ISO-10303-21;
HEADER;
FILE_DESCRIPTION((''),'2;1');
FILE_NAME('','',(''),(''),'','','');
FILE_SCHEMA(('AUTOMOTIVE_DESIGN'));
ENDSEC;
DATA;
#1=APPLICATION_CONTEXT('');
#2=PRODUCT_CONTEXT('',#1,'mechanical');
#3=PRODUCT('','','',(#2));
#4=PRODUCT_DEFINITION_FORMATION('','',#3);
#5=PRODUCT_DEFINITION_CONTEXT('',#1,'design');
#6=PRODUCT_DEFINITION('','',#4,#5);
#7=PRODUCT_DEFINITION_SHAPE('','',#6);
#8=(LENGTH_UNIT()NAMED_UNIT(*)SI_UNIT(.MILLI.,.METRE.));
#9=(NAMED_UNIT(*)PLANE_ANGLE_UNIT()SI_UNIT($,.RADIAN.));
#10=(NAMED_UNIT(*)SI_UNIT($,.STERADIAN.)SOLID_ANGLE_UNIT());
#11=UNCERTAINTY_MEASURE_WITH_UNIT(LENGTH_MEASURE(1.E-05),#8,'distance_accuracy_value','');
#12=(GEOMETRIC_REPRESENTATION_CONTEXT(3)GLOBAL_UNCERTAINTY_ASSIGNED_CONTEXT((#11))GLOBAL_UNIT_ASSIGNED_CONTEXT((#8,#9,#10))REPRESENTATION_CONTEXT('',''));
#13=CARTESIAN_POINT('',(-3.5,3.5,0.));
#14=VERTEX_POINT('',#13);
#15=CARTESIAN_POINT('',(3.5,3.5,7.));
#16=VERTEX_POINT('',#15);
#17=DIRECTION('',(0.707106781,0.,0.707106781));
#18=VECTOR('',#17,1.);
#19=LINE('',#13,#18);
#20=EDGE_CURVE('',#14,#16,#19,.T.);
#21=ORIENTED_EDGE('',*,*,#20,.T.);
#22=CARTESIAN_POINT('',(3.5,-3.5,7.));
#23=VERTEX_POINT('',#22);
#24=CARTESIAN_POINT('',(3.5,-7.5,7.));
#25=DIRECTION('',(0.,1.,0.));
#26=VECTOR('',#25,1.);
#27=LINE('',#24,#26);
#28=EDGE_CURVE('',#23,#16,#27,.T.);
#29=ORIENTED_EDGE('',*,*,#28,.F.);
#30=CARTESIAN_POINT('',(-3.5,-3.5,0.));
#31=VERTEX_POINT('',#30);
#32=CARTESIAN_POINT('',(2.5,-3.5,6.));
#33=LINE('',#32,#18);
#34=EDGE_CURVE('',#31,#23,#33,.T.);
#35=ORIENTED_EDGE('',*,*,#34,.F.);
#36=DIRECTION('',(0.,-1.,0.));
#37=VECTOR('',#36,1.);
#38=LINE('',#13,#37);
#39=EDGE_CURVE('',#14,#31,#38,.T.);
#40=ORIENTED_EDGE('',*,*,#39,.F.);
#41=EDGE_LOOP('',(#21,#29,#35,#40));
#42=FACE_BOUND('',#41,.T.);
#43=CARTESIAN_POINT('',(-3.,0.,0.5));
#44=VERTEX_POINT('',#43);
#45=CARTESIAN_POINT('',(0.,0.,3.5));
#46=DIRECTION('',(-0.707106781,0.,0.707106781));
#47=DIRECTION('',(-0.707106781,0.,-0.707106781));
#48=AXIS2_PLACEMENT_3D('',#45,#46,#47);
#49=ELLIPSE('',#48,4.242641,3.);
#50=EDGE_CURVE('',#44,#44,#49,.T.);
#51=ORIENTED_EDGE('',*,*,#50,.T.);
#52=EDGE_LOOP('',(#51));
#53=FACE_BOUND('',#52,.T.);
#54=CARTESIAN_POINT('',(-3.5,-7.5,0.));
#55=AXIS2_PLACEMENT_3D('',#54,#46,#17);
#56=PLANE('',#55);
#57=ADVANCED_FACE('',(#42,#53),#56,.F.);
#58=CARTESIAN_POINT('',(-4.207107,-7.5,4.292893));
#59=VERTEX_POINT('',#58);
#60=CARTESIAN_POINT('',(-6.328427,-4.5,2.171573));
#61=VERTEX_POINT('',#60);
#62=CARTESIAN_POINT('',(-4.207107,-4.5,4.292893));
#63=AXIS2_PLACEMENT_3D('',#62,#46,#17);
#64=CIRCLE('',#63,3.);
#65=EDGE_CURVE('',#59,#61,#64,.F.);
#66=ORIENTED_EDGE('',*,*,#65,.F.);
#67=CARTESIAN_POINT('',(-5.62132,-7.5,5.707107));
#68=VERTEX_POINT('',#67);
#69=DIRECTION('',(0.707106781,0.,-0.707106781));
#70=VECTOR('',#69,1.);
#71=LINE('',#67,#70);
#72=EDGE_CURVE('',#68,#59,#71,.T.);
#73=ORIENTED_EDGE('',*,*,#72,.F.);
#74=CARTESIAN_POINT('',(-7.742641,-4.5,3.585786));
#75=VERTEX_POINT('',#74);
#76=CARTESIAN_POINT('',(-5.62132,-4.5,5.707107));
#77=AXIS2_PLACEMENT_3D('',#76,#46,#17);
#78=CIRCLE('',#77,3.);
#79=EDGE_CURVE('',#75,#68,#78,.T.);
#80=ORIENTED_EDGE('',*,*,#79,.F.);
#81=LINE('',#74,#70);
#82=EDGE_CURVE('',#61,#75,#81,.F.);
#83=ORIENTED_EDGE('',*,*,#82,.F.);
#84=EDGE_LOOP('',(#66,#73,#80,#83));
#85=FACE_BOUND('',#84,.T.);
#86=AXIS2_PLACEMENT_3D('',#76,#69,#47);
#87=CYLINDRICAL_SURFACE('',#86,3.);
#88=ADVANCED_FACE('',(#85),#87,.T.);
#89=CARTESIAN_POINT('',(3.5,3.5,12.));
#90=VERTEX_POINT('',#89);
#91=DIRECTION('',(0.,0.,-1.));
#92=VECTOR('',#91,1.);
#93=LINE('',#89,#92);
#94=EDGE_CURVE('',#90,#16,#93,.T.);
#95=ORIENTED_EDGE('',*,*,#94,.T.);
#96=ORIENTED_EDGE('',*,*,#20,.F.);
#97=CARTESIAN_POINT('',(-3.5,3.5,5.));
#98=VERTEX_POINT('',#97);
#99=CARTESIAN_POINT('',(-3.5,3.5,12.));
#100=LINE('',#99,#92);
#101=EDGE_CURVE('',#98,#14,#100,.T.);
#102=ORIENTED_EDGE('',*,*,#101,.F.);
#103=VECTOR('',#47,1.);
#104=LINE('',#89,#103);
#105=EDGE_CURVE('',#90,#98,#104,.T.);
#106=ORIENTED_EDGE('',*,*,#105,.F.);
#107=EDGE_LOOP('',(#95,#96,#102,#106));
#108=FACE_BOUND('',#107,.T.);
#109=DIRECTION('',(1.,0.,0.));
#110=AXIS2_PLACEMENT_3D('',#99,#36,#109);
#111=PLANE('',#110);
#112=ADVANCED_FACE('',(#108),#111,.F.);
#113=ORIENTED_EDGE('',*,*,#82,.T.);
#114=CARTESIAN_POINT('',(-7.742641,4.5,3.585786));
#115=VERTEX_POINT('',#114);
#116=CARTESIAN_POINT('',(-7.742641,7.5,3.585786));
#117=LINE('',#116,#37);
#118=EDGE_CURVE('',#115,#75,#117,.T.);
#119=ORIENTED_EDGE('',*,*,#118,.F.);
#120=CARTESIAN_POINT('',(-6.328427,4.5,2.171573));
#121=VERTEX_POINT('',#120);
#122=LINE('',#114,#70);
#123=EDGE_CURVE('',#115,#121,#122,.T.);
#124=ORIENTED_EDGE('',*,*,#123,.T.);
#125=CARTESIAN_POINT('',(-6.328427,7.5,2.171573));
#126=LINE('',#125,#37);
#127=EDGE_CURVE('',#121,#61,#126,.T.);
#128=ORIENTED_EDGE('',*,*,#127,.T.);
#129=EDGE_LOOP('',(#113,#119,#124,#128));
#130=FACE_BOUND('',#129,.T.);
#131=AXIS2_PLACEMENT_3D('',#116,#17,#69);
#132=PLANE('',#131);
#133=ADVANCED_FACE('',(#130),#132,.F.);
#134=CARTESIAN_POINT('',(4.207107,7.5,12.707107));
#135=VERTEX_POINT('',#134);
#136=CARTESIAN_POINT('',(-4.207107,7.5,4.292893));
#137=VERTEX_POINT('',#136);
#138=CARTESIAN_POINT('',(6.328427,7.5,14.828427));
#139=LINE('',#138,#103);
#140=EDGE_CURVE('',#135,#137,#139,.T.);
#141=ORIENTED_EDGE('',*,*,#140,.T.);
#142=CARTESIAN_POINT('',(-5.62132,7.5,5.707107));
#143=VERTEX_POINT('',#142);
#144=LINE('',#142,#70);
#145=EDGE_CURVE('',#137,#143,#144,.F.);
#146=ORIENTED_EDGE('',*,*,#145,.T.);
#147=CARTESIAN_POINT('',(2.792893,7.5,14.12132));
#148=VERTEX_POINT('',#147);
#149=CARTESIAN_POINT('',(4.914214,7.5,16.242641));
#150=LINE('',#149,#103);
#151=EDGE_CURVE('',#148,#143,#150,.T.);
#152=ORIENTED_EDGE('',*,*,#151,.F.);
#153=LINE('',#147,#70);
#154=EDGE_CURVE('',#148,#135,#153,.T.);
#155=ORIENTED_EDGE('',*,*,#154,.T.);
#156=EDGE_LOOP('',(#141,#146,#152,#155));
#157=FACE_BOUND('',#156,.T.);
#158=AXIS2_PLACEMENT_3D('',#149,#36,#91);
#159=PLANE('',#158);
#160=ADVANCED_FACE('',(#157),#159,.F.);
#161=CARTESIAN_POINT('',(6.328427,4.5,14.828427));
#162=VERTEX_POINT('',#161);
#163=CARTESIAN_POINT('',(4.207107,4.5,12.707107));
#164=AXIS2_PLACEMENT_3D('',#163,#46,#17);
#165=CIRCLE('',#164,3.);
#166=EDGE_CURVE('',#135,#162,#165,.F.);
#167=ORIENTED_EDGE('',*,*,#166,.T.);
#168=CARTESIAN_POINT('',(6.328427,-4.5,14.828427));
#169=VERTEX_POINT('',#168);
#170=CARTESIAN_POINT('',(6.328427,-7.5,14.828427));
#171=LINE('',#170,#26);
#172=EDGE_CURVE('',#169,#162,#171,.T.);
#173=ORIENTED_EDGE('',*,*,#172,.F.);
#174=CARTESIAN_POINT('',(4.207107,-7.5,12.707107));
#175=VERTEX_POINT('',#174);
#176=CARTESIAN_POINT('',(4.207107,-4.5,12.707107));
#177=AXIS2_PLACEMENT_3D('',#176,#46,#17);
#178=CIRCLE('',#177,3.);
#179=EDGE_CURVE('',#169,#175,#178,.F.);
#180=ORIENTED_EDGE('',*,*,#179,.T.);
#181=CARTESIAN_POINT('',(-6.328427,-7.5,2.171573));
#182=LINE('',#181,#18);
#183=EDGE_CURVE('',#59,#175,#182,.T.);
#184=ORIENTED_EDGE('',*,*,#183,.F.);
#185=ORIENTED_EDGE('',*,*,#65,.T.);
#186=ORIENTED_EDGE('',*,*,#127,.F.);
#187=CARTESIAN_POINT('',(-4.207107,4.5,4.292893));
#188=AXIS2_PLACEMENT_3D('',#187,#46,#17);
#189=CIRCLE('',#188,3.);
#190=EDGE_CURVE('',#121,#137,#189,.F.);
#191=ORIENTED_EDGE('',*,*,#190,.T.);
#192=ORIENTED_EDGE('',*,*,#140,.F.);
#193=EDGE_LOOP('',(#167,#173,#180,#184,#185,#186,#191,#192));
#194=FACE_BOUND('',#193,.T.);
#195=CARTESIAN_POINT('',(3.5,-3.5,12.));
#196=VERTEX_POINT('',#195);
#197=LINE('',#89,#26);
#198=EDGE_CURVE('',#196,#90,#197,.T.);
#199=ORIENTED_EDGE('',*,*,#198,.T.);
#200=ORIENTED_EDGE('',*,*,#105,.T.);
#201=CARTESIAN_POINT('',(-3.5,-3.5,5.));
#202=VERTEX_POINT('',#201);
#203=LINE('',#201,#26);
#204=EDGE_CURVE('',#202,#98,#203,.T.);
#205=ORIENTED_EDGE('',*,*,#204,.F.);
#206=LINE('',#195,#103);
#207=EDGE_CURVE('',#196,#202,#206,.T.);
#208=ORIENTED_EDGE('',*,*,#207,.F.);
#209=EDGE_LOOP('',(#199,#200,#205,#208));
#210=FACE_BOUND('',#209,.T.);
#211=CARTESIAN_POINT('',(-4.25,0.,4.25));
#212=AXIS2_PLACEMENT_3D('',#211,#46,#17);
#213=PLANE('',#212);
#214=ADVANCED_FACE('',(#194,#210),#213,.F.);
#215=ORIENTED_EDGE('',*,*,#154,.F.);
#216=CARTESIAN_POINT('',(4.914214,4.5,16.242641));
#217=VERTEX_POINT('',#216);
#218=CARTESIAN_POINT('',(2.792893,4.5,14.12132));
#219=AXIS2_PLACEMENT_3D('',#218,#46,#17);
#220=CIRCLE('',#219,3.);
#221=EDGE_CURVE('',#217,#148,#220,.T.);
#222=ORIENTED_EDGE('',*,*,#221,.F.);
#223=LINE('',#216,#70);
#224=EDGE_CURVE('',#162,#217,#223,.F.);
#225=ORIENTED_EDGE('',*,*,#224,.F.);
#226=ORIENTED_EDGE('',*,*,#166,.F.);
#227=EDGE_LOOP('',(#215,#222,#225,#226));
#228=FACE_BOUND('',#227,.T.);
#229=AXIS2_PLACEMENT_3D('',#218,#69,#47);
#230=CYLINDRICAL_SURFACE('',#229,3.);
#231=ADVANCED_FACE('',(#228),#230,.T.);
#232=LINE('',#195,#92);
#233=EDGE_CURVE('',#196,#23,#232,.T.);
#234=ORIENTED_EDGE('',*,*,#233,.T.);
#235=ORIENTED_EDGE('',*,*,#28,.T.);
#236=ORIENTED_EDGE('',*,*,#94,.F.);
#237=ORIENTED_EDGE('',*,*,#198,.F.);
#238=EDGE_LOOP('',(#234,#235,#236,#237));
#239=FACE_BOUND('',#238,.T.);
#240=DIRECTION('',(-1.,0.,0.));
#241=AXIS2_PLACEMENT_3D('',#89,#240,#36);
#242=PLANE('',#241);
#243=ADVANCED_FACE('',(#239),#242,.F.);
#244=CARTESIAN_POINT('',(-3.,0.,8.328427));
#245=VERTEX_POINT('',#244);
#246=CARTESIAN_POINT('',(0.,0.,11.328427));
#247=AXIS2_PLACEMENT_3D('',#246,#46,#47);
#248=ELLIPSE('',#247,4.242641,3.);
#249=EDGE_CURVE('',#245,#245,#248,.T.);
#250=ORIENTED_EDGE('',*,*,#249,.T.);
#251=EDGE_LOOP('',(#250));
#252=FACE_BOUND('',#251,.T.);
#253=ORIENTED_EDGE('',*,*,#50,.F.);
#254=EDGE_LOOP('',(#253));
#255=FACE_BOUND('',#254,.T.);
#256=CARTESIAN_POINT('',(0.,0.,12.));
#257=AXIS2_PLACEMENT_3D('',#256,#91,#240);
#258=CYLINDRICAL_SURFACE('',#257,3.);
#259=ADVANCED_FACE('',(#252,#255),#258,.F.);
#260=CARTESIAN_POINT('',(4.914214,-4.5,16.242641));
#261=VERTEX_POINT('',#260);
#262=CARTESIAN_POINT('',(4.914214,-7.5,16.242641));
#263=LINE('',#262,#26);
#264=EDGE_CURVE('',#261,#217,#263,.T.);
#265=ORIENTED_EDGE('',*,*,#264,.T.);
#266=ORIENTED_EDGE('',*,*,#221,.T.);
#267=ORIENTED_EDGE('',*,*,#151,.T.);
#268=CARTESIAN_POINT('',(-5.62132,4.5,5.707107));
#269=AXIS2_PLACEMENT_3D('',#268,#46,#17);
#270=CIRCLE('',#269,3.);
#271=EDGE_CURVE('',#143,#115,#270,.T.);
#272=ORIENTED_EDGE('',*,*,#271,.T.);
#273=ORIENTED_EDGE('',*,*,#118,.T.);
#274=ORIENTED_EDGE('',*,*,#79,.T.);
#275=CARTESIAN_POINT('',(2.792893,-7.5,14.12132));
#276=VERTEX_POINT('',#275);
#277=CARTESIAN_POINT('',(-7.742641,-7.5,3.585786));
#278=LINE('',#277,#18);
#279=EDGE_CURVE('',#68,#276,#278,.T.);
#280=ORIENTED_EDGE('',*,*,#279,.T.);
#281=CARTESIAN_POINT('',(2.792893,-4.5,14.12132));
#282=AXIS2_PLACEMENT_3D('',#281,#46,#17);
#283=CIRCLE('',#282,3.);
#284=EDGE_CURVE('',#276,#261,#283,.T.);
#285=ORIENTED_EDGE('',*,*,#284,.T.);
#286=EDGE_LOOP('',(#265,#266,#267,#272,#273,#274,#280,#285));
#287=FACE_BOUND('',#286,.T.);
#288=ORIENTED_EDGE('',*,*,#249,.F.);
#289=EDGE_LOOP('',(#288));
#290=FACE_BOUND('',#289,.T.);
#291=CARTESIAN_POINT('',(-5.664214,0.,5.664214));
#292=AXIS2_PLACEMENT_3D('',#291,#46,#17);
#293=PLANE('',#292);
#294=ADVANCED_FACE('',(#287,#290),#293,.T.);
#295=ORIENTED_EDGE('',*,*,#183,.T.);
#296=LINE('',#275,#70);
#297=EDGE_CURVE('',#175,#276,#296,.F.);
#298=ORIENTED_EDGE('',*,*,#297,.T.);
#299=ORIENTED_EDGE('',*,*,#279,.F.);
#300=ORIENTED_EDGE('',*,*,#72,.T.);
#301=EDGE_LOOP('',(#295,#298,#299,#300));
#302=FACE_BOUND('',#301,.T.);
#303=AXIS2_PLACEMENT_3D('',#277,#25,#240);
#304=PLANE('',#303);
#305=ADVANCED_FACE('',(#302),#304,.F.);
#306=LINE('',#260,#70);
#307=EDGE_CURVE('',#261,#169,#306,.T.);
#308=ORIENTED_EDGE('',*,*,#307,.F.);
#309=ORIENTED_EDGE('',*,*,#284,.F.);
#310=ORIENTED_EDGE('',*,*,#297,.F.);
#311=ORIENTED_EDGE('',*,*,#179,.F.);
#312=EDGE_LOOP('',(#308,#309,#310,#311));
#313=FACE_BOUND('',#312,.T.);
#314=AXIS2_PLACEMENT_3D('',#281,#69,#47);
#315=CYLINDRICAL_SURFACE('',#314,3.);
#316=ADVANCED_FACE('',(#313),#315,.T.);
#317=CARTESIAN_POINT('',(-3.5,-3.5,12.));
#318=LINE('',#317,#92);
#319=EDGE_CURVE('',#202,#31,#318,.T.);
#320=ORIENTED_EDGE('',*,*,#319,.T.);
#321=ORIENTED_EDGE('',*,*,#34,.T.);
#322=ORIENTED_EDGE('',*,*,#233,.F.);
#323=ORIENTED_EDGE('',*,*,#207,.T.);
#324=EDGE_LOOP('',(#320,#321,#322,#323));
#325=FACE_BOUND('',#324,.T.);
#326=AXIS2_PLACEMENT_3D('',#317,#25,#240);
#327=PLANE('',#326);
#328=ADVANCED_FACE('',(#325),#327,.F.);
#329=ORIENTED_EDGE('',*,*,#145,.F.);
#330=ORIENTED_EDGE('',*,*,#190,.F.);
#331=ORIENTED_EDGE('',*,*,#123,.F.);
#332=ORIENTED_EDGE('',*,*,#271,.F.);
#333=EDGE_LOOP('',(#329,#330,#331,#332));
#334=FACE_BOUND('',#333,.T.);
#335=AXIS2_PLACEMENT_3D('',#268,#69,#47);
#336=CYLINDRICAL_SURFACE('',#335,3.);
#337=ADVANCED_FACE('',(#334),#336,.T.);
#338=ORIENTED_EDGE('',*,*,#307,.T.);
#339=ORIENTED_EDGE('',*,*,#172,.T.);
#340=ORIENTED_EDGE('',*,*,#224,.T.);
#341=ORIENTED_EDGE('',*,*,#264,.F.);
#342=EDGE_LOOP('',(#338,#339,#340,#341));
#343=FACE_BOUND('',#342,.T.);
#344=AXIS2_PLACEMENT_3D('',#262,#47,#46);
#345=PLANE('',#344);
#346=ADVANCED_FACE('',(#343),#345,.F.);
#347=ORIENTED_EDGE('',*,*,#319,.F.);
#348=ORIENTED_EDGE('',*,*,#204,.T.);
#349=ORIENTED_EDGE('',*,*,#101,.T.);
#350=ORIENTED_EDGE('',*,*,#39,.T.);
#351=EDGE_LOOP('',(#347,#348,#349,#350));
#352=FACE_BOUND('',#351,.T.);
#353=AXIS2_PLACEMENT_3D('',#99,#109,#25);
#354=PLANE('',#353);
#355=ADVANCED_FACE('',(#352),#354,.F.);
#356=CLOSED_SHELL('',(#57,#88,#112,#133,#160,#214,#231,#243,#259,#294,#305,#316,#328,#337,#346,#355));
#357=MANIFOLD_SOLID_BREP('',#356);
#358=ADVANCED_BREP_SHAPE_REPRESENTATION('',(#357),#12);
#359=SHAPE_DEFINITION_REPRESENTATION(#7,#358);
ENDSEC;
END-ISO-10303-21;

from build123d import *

# Parameters (mm, degrees)
SKETCH1_W           = 7
SKETCH1_H           = 7
SKETCH1_R           = 3
BOSS_EXTRUDE1_DEPTH = 12
CUT_EXTRUDE1_DEPTH  = 8
SKETCH5_W           = 17.899494936
SKETCH5_H           = 15
BOSS_EXTRUDE3_DEPTH = 2
SKETCH7_R           = 3
CUT_EXTRUDE3_DEPTH  = 17.242640687
CUT_EXTRUDE2_DEPTH  = 12
FILLET3_R           = 3


with BuildPart() as part:
    # Sketch1 → Boss-Extrude1 (new body)
    with BuildSketch(Plane.XY):
        Rectangle(SKETCH1_W, SKETCH1_H)
        Circle(SKETCH1_R, mode=Mode.SUBTRACT)
    extrude(amount=BOSS_EXTRUDE1_DEPTH)

    # Sketch3 → Cut-Extrude1 (cut, through all)
    with BuildSketch(Plane(origin=(0, 3.5, 0), x_dir=(1, 0, 0), z_dir=(0, 1, 0))):
        Polygon((-3.5, -12), (3.5, -12), (-3.5, -5), align=None)
    extrude(amount=-CUT_EXTRUDE1_DEPTH, mode=Mode.SUBTRACT)

    # Sketch5 → Boss-Extrude3 (add)
    with BuildSketch(Plane(origin=(-4.25, 0, 4.25), x_dir=(0.707106781, 0, 0.707106781), z_dir=(-0.707106781, 0, 0.707106781))):
        with Locations((6.01040764, 0)):
            Rectangle(SKETCH5_W, SKETCH5_H)
    extrude(amount=BOSS_EXTRUDE3_DEPTH)

    # Sketch7 → Cut-Extrude3 (cut, through all)
    with BuildSketch(Plane(origin=(0, 0, 0), x_dir=(-1, 0, 0), z_dir=(0, 0, -1))):
        Circle(SKETCH7_R)
    extrude(amount=-CUT_EXTRUDE3_DEPTH, mode=Mode.SUBTRACT)

    # Sketch6 → Cut-Extrude2 (cut, through all)
    with BuildSketch(Plane(origin=(0, 3.5, 0), x_dir=(1, 0, 0), z_dir=(0, 1, 0))):
        Polygon((-3.5, 0), (3.5, -7), (3.5, 0), align=None)
    extrude(amount=-CUT_EXTRUDE2_DEPTH, mode=Mode.SUBTRACT)

    # Fillet3
    fillet3_edges = [part.edges().sort_by_distance(p)[0] for p in [
        (5.621320344, -7.5, 15.535533906),
        (5.621320344, 7.5, 15.535533906),
        (-7.035533906, 7.5, 2.878679656),
        (-7.035533906, -7.5, 2.878679656),
    ]]
    fillet(fillet3_edges, radius=FILLET3_R)


solid = part.part
